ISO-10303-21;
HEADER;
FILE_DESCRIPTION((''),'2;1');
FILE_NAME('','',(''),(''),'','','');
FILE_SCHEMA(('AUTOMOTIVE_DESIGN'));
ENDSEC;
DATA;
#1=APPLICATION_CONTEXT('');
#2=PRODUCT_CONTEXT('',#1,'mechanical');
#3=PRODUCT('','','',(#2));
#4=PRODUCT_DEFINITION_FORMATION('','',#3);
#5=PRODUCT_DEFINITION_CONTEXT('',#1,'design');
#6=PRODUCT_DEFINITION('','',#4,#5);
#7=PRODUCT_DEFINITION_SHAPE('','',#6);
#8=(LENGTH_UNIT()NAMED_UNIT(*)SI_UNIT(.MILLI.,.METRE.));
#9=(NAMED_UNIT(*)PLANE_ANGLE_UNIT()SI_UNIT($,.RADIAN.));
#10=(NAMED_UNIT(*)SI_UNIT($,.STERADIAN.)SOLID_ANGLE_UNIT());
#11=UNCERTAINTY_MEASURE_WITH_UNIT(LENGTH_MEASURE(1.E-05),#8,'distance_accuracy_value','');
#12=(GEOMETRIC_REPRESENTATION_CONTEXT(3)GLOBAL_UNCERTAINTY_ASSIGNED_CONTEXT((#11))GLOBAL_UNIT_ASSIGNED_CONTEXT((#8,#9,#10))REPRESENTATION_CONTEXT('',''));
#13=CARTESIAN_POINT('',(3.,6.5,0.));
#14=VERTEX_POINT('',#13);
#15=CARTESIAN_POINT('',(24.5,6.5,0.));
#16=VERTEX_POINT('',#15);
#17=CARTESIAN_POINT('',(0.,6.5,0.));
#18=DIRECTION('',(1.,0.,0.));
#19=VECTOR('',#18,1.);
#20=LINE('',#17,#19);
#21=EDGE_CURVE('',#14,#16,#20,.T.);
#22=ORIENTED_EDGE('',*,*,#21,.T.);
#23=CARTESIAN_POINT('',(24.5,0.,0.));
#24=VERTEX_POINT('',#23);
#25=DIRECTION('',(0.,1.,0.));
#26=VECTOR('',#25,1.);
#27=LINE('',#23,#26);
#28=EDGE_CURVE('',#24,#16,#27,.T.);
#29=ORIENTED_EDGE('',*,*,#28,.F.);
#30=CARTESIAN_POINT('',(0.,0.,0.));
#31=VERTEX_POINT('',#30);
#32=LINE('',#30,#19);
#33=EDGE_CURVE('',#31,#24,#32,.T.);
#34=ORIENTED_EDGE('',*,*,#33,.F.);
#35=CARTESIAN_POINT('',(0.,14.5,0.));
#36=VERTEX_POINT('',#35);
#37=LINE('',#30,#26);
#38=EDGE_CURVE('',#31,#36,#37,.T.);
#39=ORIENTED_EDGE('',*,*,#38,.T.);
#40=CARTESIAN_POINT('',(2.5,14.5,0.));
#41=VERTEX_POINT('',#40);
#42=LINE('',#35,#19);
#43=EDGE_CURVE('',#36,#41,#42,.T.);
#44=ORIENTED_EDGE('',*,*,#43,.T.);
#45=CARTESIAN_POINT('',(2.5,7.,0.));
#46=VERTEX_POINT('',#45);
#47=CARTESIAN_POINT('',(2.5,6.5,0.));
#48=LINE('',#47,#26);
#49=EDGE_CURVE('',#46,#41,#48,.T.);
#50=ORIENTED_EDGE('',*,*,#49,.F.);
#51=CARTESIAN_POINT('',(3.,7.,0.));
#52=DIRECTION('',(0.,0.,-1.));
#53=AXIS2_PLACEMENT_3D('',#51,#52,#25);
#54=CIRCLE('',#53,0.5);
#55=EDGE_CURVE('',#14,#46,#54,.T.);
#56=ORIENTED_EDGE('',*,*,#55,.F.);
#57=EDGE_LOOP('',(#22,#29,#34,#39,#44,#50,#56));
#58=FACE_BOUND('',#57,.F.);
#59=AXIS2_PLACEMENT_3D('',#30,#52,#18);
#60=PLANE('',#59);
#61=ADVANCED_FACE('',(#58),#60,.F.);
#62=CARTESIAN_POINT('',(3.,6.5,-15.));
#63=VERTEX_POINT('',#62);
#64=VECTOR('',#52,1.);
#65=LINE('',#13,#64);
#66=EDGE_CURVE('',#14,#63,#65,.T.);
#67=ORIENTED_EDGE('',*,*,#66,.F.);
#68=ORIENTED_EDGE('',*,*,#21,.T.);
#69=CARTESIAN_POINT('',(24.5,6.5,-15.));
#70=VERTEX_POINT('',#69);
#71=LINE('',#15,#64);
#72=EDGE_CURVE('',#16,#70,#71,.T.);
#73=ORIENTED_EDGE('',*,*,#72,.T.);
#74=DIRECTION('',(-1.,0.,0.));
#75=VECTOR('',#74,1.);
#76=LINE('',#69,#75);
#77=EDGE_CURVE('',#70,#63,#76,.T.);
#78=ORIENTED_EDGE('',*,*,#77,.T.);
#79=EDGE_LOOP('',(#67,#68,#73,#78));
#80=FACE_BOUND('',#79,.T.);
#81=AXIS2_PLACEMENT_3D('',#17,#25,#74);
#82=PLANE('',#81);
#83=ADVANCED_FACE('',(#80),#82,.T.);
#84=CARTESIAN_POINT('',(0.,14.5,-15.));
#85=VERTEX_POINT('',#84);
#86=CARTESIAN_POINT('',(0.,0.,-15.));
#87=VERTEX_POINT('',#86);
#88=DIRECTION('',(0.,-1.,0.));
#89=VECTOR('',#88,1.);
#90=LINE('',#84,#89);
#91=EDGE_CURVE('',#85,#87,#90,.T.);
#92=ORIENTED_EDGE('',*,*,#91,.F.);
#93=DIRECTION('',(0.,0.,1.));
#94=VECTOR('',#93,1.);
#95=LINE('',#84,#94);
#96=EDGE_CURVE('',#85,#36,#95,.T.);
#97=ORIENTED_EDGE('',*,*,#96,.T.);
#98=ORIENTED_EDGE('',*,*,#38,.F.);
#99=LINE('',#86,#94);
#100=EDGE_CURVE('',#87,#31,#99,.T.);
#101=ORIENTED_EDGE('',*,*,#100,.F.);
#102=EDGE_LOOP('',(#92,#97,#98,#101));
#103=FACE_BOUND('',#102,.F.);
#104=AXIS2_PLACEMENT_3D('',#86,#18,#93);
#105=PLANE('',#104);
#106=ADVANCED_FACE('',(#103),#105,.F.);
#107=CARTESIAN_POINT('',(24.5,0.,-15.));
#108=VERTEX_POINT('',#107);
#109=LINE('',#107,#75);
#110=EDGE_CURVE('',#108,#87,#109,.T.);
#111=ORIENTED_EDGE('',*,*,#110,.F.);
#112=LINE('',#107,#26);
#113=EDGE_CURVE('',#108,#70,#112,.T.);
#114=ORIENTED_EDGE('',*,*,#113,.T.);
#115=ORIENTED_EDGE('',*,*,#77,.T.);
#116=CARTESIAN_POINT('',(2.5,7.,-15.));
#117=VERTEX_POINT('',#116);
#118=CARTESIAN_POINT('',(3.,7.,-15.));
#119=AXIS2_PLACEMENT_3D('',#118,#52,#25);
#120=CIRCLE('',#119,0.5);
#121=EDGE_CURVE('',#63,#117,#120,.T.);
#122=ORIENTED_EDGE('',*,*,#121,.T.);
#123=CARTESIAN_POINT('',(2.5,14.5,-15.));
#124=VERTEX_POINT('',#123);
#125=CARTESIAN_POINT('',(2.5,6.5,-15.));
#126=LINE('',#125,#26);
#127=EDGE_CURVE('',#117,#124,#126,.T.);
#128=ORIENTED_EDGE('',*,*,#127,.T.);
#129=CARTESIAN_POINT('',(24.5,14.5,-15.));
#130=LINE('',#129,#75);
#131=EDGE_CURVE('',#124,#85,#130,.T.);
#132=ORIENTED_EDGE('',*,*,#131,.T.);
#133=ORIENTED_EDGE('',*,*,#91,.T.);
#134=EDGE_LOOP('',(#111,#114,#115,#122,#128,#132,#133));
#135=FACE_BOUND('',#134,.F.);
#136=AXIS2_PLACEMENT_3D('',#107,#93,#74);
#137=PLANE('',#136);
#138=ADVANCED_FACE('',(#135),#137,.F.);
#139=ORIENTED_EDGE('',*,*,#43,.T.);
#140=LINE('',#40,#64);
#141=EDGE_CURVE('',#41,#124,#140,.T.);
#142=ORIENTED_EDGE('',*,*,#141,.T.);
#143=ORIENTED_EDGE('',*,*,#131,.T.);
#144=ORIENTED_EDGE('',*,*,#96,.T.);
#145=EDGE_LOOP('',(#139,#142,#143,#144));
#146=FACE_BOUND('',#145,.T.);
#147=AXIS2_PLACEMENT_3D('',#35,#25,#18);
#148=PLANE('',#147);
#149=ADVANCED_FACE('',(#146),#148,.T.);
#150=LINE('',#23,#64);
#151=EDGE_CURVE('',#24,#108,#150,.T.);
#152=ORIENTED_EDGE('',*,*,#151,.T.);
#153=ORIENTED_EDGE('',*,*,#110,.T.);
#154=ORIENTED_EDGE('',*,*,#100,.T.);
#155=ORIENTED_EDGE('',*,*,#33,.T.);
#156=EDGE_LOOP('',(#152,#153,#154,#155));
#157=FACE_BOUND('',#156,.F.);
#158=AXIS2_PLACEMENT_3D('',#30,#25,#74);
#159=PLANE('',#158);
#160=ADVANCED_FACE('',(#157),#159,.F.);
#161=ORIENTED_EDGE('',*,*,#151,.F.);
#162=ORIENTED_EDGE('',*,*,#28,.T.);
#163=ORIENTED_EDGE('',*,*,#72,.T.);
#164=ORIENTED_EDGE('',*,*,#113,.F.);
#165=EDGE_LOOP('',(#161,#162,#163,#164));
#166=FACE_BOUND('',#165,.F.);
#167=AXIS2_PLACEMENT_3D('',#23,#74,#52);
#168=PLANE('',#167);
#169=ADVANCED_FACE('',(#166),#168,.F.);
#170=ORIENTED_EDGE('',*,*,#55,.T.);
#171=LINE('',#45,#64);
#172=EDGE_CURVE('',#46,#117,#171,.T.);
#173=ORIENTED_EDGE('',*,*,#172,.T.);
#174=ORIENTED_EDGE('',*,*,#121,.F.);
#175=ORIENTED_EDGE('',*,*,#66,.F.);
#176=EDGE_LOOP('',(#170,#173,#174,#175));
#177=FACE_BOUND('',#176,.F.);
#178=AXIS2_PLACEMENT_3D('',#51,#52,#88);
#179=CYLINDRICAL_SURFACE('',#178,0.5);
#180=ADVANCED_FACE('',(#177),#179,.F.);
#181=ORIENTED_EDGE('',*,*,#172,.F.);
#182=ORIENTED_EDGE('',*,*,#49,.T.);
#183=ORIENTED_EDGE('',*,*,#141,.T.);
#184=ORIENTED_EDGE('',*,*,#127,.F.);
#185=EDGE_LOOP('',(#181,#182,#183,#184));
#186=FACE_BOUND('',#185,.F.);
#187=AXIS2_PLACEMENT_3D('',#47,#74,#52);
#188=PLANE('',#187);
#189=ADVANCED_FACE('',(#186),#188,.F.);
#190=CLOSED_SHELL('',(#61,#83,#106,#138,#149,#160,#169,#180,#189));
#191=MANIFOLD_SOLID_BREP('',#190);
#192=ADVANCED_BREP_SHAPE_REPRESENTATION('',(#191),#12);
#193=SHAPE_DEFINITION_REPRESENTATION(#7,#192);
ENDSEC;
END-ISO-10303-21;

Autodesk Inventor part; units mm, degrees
ref_plane "YZ Plane" through (0, 0, 0) normal (1, 0, 0) x (0, 1, 0)
ref_plane "XZ Plane" through (0, 0, 0) normal (0, 1, 0) x (-1, 0, 0)
ref_plane "XY Plane" through (0, 0, 0) normal (0, 0, 1) x (1, 0, 0)
sketch "Sketch1" plane through (0, 0, 0) normal (0, 1, 0) x (-1, 0, 0)
  point P0 (0, 0)
sketch "Sketch2" plane through (0, 0, 0) normal (0, 1, 0) x (-1, 0, 0)
  line L0 (0, 0) -> (-24.5, 0)
  line L1 (-24.5, 0) -> (-24.5, -15)
  line L2 (-24.5, -15) -> (0, -15)
  line L3 (0, -15) -> (0, 0)
  dimension "d0" = 24.5
  dimension "d1" = 15
extrude "Extrusion1" add sketch "Sketch2" along normal blind 6.5
sketch "Sketch3" plane through (0, 6.5, 0) normal (0, 1, 0) x (1, 0, 0)
  line L0 (0, 15) -> (0, 0) projected
  line L1 (24.5, 15) -> (0, 15) projected
  line L2 (0, 0) -> (2.5, 0)
  line L3 (2.5, 0) -> (2.5, 15)
  line L4 (2.5, 15) -> (0, 15)
  line L5 (0, 15) -> (0, 0)
  dimension "d4" = 2.5
extrude "Extrusion2" add sketch "Sketch3" along normal blind 8
fillet "Fillet1" radius 0.5 1 edges at (2.5, 6.5, -7.5)
properties part number "small_microswitch_holder"
